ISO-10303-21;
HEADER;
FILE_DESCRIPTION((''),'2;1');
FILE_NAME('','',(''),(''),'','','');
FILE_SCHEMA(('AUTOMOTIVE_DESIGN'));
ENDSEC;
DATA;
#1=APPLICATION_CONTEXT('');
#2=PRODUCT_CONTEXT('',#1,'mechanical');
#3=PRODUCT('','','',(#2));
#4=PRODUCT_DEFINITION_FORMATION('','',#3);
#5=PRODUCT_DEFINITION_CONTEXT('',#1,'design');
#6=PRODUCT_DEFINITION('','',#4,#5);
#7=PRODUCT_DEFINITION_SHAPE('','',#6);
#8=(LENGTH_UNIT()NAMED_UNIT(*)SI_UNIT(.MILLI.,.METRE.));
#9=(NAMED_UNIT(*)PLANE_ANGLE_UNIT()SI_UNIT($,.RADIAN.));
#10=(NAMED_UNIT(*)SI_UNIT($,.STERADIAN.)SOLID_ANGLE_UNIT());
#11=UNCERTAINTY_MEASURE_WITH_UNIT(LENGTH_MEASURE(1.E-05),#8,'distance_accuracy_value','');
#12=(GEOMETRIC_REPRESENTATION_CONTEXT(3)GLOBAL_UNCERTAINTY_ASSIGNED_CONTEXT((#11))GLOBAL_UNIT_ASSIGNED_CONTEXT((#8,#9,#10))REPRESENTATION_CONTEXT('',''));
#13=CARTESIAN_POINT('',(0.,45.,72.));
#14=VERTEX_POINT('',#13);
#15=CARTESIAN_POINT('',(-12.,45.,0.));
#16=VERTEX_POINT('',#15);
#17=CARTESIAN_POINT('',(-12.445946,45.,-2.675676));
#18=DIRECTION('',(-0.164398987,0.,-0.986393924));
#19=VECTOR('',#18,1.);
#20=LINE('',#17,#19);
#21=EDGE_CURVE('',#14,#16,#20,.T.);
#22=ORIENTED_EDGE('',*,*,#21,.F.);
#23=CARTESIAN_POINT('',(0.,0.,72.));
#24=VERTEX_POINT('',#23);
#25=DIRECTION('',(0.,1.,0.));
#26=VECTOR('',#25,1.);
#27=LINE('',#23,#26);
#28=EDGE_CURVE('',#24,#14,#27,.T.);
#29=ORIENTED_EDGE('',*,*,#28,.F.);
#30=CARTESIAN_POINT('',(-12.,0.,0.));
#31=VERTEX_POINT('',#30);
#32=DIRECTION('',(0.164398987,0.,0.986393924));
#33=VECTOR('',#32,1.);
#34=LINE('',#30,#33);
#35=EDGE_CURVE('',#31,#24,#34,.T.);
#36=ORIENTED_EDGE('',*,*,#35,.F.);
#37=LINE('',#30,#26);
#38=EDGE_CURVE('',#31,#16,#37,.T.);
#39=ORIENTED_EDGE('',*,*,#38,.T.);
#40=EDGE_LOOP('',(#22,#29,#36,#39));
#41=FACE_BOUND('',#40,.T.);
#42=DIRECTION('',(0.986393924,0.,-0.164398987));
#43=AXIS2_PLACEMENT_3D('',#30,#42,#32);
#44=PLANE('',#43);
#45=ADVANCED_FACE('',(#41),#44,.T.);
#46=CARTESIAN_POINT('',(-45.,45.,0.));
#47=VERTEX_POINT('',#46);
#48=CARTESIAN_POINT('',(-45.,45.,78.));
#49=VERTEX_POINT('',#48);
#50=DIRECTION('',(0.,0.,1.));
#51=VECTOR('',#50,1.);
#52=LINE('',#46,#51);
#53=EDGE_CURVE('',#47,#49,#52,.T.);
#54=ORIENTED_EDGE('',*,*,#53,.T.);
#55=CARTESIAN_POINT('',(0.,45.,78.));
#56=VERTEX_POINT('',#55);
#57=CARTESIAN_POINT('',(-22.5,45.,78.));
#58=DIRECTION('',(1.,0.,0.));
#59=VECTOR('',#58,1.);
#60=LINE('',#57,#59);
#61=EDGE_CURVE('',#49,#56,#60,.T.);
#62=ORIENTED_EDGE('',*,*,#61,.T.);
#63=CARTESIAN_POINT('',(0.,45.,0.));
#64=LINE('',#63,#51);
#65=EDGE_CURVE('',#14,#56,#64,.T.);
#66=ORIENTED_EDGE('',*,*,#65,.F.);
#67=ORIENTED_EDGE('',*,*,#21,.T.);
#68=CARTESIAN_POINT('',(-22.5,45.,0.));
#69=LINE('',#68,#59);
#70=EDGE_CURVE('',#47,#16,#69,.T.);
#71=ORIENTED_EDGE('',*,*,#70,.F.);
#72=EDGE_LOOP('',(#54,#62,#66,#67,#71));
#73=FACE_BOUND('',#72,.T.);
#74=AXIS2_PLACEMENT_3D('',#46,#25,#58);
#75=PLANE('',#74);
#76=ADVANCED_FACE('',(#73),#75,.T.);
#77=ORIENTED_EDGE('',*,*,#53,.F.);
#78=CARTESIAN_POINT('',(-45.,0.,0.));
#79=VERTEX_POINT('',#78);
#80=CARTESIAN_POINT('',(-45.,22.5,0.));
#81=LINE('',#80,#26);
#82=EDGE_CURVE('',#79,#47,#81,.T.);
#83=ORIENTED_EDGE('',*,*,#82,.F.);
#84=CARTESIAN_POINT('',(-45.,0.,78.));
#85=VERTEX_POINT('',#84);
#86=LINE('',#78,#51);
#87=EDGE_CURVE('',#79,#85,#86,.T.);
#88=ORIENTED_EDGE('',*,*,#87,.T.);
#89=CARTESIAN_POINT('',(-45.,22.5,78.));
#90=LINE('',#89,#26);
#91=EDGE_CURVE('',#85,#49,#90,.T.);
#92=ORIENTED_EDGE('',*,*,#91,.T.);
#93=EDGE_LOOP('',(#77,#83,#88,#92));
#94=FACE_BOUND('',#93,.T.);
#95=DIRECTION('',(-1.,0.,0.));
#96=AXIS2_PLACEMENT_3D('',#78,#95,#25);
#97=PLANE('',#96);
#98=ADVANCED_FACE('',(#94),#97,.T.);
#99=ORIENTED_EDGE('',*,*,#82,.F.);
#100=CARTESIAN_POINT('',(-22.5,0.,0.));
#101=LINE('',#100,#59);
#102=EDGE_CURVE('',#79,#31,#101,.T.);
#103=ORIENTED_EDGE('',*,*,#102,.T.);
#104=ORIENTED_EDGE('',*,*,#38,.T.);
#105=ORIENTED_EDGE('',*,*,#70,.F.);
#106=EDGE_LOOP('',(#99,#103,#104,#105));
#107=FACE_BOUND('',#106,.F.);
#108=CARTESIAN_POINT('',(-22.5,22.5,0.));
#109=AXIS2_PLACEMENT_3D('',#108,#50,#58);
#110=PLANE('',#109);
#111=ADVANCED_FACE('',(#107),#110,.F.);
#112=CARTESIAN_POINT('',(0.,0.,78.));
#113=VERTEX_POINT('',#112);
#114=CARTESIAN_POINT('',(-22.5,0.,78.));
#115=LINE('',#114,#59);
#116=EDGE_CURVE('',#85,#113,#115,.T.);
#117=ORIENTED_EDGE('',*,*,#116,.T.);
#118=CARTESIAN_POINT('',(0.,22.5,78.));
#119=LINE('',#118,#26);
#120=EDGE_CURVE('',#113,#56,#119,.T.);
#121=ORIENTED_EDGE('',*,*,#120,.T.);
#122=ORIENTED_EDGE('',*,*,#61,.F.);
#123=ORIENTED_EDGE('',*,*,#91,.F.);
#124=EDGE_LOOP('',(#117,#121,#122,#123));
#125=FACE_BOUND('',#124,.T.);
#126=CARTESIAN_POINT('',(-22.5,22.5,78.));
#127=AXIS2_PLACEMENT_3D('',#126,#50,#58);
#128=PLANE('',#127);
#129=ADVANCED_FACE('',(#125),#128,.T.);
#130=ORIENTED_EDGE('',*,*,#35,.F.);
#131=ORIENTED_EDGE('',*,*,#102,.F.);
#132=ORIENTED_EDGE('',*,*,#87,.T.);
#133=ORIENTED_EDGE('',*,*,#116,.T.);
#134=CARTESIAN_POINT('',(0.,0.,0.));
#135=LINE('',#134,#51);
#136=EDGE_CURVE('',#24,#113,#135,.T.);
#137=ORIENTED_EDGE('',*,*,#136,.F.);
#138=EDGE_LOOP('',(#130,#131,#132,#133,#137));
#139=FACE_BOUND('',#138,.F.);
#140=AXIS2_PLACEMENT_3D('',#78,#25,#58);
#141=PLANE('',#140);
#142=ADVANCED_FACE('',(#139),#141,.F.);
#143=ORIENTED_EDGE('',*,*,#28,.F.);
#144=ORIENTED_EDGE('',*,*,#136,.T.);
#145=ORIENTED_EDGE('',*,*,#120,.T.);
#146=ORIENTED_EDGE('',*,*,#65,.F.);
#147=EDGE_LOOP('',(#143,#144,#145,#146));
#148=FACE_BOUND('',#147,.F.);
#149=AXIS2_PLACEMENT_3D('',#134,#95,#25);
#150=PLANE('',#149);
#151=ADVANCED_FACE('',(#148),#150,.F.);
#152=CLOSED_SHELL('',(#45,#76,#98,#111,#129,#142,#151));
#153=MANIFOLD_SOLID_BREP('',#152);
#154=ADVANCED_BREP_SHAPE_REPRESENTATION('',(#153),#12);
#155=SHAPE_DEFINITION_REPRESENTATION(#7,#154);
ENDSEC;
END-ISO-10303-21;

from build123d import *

# Parameters (mm, degrees)
SKETCH_W     = 45
SKETCH_H     = 45
PAD_DEPTH    = 78
POCKET_DEPTH = 45.001


with BuildPart() as part:
    # Sketch → Pad (new body)
    with BuildSketch(Plane.XY):
        with Locations((-22.5, 22.5)):
            Rectangle(SKETCH_W, SKETCH_H)
    extrude(amount=PAD_DEPTH)

    # Sketch001 (on Face1 of Pad) → Pocket (cut, through all)
    with BuildSketch(Plane.XZ):
        Polygon((-12, 0), (0, 72), (0, 0), align=None)
    extrude(amount=-POCKET_DEPTH, mode=Mode.SUBTRACT)


solid = part.part
